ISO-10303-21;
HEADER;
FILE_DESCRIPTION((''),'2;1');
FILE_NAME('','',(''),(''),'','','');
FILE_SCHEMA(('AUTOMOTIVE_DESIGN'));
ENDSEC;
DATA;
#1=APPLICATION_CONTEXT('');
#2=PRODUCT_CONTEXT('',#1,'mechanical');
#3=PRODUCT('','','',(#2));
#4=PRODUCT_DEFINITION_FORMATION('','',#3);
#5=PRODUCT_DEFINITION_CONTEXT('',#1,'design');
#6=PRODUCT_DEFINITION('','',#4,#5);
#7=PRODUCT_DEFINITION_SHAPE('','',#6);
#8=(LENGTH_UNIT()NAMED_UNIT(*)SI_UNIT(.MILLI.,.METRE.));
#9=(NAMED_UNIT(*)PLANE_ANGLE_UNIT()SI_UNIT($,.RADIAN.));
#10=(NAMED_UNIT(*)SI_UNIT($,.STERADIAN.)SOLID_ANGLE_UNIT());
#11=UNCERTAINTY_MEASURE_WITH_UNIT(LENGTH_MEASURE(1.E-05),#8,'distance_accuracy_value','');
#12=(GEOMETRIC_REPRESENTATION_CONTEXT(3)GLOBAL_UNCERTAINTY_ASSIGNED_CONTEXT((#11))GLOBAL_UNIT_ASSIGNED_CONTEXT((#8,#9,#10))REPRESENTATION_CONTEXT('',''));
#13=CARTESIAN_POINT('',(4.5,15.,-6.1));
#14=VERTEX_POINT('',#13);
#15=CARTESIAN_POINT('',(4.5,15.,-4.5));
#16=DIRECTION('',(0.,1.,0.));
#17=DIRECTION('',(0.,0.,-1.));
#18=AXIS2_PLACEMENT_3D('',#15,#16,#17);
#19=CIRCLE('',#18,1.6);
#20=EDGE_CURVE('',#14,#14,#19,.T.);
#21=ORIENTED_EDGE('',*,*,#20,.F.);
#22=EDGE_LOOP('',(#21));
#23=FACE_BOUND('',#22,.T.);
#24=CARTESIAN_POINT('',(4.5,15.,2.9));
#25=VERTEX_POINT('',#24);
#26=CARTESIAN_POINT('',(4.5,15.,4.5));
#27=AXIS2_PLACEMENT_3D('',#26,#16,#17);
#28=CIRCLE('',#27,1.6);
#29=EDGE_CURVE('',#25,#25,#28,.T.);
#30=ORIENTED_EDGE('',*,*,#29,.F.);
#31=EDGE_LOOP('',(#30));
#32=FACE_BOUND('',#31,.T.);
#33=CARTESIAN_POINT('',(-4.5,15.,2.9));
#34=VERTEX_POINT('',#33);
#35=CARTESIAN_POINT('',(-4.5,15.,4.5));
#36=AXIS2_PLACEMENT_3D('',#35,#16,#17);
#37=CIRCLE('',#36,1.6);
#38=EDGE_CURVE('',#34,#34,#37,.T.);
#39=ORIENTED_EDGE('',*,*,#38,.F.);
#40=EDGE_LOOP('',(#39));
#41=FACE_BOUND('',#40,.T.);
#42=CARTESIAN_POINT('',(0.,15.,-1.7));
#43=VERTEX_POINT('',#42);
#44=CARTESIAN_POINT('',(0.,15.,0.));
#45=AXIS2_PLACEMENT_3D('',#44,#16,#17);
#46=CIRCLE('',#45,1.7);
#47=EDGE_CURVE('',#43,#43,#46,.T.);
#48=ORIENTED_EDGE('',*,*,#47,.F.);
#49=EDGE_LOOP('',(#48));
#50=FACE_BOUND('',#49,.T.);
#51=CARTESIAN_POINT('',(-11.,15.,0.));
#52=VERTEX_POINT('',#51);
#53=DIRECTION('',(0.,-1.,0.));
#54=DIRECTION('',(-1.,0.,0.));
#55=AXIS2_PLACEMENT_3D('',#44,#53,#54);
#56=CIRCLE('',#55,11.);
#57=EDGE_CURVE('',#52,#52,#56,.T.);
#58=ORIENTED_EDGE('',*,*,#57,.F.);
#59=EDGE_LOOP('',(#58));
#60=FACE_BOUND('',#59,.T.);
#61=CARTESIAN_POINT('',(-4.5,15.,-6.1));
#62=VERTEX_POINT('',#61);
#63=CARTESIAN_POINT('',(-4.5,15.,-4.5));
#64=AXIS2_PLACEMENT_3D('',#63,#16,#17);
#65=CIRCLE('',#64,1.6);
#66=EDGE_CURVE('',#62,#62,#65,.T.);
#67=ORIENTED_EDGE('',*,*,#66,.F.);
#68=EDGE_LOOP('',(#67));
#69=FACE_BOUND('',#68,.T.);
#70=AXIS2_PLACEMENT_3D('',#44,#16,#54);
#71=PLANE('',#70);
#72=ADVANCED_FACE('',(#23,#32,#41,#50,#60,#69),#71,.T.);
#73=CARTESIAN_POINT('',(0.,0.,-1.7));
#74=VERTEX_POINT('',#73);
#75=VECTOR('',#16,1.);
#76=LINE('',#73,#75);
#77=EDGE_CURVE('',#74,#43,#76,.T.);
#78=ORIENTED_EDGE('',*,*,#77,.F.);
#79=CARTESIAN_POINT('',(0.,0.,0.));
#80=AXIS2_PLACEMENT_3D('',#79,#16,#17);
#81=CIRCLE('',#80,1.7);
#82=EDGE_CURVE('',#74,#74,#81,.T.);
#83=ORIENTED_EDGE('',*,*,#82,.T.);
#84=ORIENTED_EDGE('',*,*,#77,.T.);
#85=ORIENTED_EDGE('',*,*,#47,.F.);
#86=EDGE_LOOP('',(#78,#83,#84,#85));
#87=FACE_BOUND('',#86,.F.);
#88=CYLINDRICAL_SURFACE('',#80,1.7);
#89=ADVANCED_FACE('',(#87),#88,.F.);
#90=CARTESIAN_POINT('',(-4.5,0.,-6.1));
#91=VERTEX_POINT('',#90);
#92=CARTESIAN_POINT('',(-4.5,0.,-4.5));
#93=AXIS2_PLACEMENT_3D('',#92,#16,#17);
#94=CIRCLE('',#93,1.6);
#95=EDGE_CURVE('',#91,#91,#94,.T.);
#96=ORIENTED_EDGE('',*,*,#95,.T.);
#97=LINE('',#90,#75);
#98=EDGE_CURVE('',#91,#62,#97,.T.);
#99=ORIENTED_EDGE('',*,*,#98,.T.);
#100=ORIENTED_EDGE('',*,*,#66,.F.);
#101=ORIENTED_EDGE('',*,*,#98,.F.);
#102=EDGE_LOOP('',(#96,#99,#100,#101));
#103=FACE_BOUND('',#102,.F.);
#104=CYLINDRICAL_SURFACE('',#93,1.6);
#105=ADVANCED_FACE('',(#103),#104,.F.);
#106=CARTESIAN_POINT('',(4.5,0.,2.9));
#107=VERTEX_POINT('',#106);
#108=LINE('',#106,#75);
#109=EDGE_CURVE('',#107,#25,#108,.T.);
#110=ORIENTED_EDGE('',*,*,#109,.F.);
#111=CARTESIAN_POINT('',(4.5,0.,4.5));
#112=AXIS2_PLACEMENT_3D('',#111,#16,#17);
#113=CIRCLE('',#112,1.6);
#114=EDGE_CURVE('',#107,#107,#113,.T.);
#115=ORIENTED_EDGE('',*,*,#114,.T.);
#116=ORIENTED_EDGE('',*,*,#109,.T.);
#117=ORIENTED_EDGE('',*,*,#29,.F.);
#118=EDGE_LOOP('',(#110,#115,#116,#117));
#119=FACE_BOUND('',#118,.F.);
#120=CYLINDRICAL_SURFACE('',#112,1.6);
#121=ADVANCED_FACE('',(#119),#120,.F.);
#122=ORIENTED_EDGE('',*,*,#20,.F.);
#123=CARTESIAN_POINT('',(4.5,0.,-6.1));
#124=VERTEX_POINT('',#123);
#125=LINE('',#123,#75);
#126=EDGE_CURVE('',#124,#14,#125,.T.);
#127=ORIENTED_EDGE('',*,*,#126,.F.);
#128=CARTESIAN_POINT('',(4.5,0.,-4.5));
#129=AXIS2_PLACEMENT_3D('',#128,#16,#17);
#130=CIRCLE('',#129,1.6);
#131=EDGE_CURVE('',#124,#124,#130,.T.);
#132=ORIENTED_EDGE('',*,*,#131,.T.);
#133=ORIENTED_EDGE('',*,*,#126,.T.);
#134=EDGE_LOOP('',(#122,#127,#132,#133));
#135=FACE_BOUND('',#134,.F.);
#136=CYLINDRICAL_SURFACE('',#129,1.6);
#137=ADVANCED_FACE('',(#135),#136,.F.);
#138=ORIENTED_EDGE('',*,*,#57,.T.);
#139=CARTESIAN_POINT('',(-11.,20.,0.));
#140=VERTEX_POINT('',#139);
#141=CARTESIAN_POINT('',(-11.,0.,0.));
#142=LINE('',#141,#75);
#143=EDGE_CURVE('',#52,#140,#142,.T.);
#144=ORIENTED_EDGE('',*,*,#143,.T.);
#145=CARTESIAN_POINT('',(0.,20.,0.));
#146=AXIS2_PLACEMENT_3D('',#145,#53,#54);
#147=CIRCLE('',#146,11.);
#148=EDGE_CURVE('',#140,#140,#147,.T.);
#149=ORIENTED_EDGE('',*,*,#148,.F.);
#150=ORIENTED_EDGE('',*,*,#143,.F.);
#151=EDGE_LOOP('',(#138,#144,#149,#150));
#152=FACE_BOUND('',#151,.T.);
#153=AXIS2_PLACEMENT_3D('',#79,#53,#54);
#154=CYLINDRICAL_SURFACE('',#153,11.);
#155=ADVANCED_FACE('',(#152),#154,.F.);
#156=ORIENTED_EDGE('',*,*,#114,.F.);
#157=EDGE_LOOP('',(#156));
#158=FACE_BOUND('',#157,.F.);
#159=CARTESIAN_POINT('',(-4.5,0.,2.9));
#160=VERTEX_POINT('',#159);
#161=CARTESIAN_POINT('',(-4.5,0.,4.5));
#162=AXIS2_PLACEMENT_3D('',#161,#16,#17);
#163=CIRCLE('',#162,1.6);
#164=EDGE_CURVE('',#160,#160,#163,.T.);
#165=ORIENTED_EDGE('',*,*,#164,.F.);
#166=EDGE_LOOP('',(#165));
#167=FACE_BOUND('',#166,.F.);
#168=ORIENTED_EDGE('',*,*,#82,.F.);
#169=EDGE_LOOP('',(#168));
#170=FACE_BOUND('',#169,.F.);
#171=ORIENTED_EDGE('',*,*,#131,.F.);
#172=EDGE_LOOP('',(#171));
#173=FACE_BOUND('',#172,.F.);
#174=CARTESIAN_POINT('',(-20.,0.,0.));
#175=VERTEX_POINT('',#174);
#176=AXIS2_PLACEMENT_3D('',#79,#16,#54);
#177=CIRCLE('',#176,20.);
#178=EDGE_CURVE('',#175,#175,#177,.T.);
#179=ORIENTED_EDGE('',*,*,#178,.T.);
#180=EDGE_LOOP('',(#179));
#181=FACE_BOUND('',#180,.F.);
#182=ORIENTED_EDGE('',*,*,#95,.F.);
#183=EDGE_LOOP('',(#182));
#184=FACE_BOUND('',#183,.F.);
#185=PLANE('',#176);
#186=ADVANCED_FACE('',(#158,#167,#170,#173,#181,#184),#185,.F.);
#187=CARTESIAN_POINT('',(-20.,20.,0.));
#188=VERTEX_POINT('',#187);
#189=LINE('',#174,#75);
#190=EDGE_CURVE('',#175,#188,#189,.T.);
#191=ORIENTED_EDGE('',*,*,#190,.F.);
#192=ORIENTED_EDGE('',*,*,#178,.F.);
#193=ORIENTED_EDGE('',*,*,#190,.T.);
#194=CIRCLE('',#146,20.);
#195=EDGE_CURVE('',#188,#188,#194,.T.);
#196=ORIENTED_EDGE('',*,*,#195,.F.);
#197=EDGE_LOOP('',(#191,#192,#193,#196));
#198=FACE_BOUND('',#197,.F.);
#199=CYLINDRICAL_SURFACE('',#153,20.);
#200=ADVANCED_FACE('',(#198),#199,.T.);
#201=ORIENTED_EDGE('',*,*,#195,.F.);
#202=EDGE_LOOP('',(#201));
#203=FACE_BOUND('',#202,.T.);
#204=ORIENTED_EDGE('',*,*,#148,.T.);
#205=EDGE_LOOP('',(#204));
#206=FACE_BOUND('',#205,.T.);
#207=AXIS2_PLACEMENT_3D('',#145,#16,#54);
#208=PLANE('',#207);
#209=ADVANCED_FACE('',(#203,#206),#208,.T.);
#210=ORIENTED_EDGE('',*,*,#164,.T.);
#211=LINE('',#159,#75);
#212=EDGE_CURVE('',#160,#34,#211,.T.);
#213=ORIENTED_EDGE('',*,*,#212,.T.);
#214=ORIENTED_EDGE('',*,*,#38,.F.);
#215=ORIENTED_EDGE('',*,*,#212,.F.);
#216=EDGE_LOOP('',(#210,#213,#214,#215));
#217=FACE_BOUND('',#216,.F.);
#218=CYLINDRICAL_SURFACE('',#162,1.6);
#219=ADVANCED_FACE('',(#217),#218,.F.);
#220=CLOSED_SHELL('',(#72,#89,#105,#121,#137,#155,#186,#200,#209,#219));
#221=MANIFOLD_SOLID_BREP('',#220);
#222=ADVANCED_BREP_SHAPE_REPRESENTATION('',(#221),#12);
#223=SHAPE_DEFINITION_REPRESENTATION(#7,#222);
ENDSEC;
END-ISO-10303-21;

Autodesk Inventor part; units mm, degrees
ref_plane "YZ Plane" through (0, 0, 0) normal (1, 0, 0) x (0, 1, 0)
ref_plane "XZ Plane" through (0, 0, 0) normal (0, 1, 0) x (-1, 0, 0)
ref_plane "XY Plane" through (0, 0, 0) normal (0, 0, 1) x (1, 0, 0)
sketch "Szkic1" plane through (0, 0, 0) normal (0, 1, 0) x (-1, 0, 0)
  circle A0 centre (0, 0) radius 20
  circle A1 centre (0, 0) radius 12.5
  circle A2 centre (0, 0) radius 11
  line L0 (20, 0) -> (-20, 0)
  line L1 (0, 20) -> (0, -20)
  point P0 (4.5, -4.5)
  point P1 (-4.5, -4.5)
  point P2 (4.5, 4.5)
  point P3 (-4.5, 4.5)
  dimension "d0" = 40
  dimension "d1" = 25
  dimension "d2" = 22
  dimension "d3" = 40
  dimension "d6" = 40
  dimension "d35" = 9
  dimension "d36" = 4.5
  dimension "d37" = 4.5
  dimension "d38" = 4.5
extrude "Wyciągnięcie proste1" add sketch "Szkic1" along normal blind 20 contours L0 A1 L1 A0 | A0 L1 A1 L0 | L1 A1 L0 A0 | A0 L0 A1 L1 | L0 A2 L1 A1 | A1 L1 A2 L0 | L1 A2 L0 A1 | A1 L0 A2 L1
extrude "Wyciągnięcie proste2" add sketch "Szkic1" along normal blind 15 contours L0 L1 A2 | A2 L1 L0 | L1 L0 A2 | A2 L0 L1
hole "Otwór2" at (0, 0, 0) direction (0, 1, 0) diameter 3.4 end through all clearance for "Countersunk Flat Head Screw ISO 2009/7046" size "M3" standard "ISO"
hole "Hole4" at (-4.5, 0, -4.5) at (4.5, 0, -4.5) at (-4.5, 0, 4.5) at (4.5, 0, 4.5) direction (0, 1, 0) diameter 3.2 depth 30 clearance for "Slotted Cheese Head Screw ISO 1207" size "M3" standard "ISO"
properties part number "wheel"
